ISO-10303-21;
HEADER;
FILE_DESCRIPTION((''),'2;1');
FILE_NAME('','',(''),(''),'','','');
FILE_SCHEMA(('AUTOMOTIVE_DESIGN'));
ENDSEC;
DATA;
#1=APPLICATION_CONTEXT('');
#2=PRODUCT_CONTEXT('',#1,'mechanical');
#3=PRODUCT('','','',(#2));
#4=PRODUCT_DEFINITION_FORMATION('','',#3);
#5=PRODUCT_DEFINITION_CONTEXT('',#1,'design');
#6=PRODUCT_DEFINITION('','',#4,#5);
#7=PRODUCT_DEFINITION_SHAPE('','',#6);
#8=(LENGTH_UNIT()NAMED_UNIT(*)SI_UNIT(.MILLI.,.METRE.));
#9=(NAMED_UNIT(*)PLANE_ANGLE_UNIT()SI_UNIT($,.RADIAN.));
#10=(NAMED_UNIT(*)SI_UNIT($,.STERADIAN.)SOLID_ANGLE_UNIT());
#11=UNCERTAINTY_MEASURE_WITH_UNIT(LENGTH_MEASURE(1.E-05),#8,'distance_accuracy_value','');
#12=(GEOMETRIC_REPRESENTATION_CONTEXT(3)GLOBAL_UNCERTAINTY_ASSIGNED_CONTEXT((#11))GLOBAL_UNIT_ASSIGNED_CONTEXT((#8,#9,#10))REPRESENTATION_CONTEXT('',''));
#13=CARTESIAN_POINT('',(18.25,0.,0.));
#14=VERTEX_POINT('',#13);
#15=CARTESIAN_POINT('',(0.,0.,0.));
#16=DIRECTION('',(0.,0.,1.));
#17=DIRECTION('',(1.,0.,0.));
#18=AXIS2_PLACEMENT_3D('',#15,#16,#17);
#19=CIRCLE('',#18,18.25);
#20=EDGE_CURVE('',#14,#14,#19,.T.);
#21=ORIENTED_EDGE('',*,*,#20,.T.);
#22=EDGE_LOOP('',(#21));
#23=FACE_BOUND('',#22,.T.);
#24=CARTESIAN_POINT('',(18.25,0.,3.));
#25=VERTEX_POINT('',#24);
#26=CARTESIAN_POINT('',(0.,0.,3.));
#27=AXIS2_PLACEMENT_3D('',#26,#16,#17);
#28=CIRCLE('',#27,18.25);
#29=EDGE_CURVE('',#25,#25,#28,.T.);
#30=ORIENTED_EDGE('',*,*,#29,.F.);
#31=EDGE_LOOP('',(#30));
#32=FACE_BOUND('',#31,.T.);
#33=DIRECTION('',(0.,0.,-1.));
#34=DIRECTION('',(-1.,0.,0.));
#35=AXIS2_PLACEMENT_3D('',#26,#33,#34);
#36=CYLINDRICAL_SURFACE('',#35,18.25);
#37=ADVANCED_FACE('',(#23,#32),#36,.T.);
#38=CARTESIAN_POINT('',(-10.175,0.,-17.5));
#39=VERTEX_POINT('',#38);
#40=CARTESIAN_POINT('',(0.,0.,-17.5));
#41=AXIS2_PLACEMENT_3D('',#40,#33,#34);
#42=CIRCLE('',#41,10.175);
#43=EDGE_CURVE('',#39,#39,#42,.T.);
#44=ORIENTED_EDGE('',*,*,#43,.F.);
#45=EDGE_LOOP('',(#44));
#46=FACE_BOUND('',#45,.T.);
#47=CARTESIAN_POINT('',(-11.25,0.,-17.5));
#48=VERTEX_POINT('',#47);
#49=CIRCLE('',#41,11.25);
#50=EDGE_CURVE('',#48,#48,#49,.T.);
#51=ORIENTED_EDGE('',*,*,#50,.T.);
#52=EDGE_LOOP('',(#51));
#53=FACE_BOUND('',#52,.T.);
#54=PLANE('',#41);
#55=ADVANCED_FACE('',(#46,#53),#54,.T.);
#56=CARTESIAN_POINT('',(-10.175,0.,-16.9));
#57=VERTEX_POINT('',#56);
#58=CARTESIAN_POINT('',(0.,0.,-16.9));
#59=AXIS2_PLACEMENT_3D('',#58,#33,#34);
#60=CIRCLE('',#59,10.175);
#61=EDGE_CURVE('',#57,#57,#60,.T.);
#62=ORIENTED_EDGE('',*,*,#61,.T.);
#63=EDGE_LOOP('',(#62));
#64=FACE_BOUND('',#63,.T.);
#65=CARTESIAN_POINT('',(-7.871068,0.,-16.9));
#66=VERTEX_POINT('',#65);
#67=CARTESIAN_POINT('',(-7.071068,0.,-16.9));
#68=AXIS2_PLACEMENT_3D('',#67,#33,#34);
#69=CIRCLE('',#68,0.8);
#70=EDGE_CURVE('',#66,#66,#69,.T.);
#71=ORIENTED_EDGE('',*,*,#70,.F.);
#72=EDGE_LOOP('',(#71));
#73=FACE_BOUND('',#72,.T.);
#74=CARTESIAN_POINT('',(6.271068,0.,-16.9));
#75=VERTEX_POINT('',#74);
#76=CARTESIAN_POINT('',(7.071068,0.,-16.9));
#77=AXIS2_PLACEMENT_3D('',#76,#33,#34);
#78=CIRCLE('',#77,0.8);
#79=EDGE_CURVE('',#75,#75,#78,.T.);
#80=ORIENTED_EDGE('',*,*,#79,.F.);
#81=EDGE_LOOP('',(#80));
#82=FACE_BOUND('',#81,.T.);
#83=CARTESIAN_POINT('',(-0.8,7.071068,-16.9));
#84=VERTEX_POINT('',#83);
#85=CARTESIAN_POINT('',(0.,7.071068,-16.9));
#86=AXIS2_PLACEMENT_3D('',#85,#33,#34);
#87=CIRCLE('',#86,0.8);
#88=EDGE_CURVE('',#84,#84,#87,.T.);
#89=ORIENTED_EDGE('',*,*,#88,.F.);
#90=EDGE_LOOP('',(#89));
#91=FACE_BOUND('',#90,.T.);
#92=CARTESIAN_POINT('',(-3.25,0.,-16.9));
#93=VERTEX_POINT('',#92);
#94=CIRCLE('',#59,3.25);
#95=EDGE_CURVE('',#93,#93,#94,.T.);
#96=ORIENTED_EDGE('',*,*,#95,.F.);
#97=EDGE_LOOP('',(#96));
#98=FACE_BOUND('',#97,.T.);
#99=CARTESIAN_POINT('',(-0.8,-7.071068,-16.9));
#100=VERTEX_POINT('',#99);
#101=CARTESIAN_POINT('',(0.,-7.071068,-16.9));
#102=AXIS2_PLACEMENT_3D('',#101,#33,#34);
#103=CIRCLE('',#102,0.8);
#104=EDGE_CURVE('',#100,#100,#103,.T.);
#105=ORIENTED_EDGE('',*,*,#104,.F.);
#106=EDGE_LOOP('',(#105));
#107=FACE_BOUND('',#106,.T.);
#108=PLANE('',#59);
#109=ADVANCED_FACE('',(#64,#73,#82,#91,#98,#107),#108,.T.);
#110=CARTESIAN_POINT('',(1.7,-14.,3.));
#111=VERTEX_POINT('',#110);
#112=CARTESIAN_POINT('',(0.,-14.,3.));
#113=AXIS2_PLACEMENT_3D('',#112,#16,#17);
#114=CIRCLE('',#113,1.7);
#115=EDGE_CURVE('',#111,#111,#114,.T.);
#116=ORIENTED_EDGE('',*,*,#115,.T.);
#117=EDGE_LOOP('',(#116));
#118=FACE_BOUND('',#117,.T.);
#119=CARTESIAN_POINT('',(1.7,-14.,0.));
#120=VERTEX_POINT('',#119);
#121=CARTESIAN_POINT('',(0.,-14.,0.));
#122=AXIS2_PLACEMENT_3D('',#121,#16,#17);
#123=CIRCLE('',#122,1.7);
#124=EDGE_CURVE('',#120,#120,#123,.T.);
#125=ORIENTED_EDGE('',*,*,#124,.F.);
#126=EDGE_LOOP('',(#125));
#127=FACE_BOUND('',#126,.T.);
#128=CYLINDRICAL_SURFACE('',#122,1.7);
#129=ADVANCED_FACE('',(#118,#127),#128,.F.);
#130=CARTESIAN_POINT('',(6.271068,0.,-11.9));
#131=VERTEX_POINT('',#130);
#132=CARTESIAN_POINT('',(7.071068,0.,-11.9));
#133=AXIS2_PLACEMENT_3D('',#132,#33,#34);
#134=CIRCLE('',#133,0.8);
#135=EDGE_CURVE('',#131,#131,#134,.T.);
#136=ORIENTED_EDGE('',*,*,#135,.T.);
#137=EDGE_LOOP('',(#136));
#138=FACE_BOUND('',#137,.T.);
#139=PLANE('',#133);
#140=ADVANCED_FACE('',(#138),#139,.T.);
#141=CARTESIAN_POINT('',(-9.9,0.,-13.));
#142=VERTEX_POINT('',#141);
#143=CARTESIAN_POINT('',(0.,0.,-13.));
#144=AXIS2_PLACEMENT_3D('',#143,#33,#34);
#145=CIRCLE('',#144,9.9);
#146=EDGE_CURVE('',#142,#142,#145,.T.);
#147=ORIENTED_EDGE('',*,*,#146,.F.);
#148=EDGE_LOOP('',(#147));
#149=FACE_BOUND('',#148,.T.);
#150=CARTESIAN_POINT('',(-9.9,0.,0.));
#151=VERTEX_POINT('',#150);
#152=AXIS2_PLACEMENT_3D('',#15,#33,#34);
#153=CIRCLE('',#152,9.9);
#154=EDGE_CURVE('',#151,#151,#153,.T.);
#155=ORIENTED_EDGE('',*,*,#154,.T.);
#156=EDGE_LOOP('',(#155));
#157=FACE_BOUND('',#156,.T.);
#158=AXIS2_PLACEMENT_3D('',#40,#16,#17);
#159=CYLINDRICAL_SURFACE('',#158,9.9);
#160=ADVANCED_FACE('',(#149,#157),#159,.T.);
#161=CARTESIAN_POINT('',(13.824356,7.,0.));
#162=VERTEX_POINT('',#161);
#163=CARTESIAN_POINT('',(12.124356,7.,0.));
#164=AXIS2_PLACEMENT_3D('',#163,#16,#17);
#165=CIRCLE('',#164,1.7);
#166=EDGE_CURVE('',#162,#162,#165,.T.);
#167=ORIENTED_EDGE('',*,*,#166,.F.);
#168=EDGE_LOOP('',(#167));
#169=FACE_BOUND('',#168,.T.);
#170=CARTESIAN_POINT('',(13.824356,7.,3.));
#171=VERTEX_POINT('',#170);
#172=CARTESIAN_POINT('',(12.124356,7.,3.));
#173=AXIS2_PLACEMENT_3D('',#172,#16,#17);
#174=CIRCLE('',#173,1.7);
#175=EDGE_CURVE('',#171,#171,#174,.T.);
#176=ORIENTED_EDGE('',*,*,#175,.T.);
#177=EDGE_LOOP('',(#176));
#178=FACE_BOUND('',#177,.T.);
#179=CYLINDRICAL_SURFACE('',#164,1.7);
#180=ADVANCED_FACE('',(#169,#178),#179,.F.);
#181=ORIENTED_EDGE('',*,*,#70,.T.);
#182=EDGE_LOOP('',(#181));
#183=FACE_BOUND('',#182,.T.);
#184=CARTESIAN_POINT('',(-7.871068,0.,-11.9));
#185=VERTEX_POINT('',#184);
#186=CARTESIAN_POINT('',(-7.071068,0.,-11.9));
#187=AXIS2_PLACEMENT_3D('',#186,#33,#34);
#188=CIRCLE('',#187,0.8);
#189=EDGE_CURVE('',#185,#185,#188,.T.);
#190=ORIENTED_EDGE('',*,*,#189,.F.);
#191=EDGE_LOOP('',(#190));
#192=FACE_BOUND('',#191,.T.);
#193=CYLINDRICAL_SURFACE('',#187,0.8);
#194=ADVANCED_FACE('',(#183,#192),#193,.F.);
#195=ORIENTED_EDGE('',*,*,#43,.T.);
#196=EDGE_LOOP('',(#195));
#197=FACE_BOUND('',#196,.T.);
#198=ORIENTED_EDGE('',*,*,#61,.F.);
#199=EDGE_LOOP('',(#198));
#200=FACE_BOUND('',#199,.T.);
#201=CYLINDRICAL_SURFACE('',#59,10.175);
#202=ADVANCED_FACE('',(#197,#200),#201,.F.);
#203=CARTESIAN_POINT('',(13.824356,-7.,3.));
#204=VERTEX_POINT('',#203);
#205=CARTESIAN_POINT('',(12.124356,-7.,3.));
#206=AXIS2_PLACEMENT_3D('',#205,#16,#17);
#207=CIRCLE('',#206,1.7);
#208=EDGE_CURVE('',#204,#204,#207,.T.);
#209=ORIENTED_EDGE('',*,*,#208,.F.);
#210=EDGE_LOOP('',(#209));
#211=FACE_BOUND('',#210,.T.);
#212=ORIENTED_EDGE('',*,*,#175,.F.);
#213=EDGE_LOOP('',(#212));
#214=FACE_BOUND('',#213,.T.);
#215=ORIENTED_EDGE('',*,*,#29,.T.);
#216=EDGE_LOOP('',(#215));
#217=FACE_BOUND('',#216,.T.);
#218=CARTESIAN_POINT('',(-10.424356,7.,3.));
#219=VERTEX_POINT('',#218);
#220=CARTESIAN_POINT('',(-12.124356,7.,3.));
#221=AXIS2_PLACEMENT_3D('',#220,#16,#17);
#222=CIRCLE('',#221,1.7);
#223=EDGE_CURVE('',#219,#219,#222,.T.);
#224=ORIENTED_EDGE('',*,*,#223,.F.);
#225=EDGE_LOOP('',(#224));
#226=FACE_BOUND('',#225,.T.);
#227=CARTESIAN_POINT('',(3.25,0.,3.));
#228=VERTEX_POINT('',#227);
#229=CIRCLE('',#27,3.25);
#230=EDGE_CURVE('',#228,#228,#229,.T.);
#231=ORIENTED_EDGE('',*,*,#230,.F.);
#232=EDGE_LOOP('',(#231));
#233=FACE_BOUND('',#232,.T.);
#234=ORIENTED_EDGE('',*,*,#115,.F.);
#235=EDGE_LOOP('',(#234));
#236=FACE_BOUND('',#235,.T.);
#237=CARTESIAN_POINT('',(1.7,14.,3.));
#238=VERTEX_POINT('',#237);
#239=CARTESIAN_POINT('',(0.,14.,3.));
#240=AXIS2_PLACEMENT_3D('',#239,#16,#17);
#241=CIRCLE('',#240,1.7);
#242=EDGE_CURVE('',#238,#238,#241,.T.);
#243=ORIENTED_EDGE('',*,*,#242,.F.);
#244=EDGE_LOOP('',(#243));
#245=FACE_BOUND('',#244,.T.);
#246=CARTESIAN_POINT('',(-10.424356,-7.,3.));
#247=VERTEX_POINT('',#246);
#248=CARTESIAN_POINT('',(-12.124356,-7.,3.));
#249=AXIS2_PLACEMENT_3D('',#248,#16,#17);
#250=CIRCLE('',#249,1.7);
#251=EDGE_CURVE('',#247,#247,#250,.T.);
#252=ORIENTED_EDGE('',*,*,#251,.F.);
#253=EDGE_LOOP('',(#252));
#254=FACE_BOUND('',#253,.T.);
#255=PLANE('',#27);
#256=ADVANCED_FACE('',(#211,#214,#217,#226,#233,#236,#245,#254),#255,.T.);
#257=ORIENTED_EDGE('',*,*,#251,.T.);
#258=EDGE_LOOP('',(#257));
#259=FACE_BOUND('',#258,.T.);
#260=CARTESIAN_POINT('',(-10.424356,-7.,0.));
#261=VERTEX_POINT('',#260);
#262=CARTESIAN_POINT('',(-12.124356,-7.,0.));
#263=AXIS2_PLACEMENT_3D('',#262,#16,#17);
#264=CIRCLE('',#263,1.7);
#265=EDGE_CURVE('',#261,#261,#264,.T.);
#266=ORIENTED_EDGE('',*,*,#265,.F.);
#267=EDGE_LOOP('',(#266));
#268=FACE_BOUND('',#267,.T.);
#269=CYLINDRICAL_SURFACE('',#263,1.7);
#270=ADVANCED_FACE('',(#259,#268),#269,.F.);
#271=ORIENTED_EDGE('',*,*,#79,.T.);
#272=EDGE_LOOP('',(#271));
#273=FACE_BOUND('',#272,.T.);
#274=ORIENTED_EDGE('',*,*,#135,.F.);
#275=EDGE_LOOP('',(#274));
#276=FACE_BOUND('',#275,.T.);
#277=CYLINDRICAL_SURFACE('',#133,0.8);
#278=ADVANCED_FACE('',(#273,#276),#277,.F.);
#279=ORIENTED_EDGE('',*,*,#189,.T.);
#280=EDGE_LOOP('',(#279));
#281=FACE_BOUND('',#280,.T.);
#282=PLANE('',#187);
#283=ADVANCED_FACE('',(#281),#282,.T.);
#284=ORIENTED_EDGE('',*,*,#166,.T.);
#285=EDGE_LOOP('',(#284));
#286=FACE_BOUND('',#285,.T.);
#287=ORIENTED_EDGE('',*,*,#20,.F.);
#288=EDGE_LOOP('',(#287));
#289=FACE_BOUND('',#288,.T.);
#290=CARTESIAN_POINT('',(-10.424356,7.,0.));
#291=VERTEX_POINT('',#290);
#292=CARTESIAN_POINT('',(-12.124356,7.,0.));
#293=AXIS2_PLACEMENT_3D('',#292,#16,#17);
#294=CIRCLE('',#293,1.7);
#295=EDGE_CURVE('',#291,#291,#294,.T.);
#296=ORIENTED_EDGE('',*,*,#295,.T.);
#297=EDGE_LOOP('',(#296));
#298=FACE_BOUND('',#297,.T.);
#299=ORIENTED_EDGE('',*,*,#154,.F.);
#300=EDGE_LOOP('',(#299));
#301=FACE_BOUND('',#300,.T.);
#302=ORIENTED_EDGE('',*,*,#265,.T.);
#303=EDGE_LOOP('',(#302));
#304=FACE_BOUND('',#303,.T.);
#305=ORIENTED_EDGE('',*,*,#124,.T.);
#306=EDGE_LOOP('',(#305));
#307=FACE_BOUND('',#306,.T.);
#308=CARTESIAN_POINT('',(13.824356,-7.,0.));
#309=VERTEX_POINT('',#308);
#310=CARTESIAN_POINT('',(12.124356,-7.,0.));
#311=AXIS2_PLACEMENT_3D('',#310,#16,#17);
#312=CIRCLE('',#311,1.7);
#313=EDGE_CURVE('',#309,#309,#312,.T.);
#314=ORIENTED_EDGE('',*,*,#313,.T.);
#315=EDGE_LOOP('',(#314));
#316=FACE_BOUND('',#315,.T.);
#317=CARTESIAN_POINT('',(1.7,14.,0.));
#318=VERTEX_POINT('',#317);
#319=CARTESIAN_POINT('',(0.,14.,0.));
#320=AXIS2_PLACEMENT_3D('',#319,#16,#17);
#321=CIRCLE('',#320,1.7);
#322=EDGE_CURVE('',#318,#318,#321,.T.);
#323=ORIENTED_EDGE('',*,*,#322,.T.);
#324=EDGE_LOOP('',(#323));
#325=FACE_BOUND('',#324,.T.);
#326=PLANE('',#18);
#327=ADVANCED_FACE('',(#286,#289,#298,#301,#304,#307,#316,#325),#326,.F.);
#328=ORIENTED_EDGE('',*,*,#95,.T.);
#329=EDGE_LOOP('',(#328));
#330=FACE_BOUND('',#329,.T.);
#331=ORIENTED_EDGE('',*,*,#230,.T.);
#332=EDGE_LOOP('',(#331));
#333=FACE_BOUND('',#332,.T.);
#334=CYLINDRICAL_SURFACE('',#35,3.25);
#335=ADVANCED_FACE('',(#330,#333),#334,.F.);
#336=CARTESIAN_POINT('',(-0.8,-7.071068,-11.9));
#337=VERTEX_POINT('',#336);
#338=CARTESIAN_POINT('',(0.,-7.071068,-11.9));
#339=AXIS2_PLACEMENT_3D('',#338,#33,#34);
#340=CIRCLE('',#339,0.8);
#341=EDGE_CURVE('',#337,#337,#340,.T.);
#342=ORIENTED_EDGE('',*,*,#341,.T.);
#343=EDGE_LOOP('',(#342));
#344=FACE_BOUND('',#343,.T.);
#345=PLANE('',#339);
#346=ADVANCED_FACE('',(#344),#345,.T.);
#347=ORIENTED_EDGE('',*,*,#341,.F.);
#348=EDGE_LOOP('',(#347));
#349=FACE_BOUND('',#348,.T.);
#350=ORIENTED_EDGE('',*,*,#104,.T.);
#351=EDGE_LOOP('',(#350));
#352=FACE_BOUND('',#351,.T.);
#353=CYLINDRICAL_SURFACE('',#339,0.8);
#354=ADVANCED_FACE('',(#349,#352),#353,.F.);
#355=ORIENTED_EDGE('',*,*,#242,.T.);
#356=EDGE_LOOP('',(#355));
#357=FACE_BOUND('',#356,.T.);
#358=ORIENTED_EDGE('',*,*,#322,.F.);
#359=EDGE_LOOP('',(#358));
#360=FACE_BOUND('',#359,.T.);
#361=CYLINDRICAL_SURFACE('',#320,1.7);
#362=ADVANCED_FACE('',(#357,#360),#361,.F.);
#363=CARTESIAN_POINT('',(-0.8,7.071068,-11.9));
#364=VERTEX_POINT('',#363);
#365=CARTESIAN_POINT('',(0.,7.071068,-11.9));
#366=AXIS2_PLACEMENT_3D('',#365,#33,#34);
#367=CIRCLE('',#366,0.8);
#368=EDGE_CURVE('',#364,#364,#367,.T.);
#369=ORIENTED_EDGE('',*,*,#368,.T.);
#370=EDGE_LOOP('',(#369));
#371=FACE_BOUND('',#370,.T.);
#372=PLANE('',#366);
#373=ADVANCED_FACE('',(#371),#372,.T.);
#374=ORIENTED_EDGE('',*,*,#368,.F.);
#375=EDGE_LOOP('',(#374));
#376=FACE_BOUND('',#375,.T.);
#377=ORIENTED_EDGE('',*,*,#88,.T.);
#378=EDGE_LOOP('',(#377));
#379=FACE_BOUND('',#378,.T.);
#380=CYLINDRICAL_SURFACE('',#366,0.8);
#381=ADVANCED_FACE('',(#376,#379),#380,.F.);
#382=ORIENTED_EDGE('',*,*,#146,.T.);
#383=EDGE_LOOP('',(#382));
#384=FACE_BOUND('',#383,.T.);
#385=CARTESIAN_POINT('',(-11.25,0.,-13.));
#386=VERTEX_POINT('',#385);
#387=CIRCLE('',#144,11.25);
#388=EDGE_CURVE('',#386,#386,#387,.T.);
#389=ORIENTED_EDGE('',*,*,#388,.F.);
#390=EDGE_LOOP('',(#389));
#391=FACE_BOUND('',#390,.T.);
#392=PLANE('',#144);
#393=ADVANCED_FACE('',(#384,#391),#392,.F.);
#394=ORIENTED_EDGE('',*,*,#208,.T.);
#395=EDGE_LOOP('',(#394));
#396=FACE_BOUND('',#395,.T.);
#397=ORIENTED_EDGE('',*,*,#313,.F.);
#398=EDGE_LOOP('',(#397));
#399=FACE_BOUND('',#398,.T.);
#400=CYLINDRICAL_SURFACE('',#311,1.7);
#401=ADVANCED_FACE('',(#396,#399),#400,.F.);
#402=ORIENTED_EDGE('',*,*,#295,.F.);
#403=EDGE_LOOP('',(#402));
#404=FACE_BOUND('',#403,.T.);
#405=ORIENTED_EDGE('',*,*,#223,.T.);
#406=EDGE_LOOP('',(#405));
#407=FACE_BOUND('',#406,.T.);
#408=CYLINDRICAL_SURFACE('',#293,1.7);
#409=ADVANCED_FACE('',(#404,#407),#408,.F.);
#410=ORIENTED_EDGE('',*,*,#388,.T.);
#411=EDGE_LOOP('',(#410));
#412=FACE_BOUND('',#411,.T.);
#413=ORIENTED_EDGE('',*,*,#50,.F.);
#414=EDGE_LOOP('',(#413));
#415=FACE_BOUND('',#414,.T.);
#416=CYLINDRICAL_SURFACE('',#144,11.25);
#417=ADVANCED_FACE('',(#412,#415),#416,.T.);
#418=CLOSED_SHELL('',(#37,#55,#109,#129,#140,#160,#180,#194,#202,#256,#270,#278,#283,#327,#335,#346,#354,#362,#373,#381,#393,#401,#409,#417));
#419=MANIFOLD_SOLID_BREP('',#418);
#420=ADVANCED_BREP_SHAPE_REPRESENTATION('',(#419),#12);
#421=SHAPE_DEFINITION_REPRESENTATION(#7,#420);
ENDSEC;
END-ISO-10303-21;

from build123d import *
from build123d.topology import SkipClean

# Parameters (mm, degrees)
SKETCH_36_5_3_R             = 18.25
SKETCH_36_5_3_R_2           = 3.25
EXTRUDE_36_5_3_DEPTH        = 3
EXTRUDE_START               = 17.5
SKETCH_19_8_17_5_R          = 9.9
SKETCH_19_8_17_5_R_2        = 3.25
EXTRUDE_19_8_17_5_DEPTH     = 17.5
SKETCH_22_5_4_5_R           = 11.25
SKETCH_22_5_4_5_R_2         = 3.25
EXTRUDE_22_5_4_5_DEPTH      = 4.5
SKETCH_3_4_28_R             = 1.7
CUT_EXTRUDE_3_4_28_DEPTH    = 3
SKETCH_20_35_0_6_R          = 10.175
CUT_EXTRUDE_20_35_0_6_DEPTH = 0.6
M2X0_4_14_142_2_R           = 0.8
M2X0_4_14_142_DEPTH         = 5


with BuildPart() as part:
    # 轴承端法兰_Ø36.5_厚3_草图 → 轴承端法兰_Ø36.5_厚3 (new body)
    with BuildSketch(Plane.XY):
        Circle(SKETCH_36_5_3_R)
        Circle(SKETCH_36_5_3_R_2, mode=Mode.SUBTRACT)
    extrude(amount=EXTRUDE_36_5_3_DEPTH)

    # 穿轴颈_Ø19.8_长17.5_草图 → 穿轴颈_Ø19.8_长17.5 (add)
    with SkipClean():  # the faces are left unmerged after this step: merging them gives an invalid solid
        with BuildSketch(Plane(origin=(0, 0, 0), x_dir=(-1, 0, 0), z_dir=(0, 0, -1)).offset(EXTRUDE_START)):
            Circle(SKETCH_19_8_17_5_R)
            Circle(SKETCH_19_8_17_5_R_2, mode=Mode.SUBTRACT)
        extrude(amount=-EXTRUDE_19_8_17_5_DEPTH)

    # 舵盘端凸缘_Ø22.5_长4.5_草图 → 舵盘端凸缘_Ø22.5_长4.5 (add)
    with SkipClean():  # the faces are left unmerged after this step: merging them gives an invalid solid
        with BuildSketch(Plane(origin=(0, 0, -17.5), x_dir=(-1, 0, 0), z_dir=(0, 0, -1))):
            Circle(SKETCH_22_5_4_5_R)
            Circle(SKETCH_22_5_4_5_R_2, mode=Mode.SUBTRACT)
        extrude(amount=-EXTRUDE_22_5_4_5_DEPTH)

    # 轴承端_六处Ø3.4_分度圆Ø28_草图 → 轴承端_六处Ø3.4_分度圆Ø28 (cut)
    with SkipClean():  # the faces are left unmerged after this step: merging them gives an invalid solid
        with BuildSketch(Plane.XY.offset(3)):
            with Locations((12.124355653, 7)):
                Circle(SKETCH_3_4_28_R)
            with Locations((0, 14)):
                Circle(SKETCH_3_4_28_R)
            with Locations((-12.124355653, 7)):
                Circle(SKETCH_3_4_28_R)
            with Locations((-12.124355653, -7)):
                Circle(SKETCH_3_4_28_R)
            with Locations((0, -14)):
                Circle(SKETCH_3_4_28_R)
            with Locations((12.124355653, -7)):
                Circle(SKETCH_3_4_28_R)
        extrude(amount=-CUT_EXTRUDE_3_4_28_DEPTH, mode=Mode.SUBTRACT)

    # 舵盘止口_Ø20.35_深0.6_草图 → 舵盘止口_Ø20.35_深0.6 (cut)
    with SkipClean():  # the faces are left unmerged after this step: merging them gives an invalid solid
        with BuildSketch(Plane(origin=(0, 0, -17.5), x_dir=(-1, 0, 0), z_dir=(0, 0, -1))):
            Circle(SKETCH_20_35_0_6_R)
        extrude(amount=-CUT_EXTRUDE_20_35_0_6_DEPTH, mode=Mode.SUBTRACT)

    # M2x0.4__14.142 2 → M2x0.4__14.142 (cut)
    with SkipClean():  # the faces are left unmerged after this step: merging them gives an invalid solid
        with BuildSketch(Plane(origin=(0, 0, -16.9), x_dir=(-1, 0, 0), z_dir=(0, 0, -1))):
            with Locations((-7.071067812, 0)):
                Circle(M2X0_4_14_142_2_R)
            with Locations((0, 7.071067812)):
                Circle(M2X0_4_14_142_2_R)
            with Locations((7.071067812, 0)):
                Circle(M2X0_4_14_142_2_R)
            with Locations((0, -7.071067812)):
                Circle(M2X0_4_14_142_2_R)
        extrude(amount=-M2X0_4_14_142_DEPTH, mode=Mode.SUBTRACT)


solid = part.part
